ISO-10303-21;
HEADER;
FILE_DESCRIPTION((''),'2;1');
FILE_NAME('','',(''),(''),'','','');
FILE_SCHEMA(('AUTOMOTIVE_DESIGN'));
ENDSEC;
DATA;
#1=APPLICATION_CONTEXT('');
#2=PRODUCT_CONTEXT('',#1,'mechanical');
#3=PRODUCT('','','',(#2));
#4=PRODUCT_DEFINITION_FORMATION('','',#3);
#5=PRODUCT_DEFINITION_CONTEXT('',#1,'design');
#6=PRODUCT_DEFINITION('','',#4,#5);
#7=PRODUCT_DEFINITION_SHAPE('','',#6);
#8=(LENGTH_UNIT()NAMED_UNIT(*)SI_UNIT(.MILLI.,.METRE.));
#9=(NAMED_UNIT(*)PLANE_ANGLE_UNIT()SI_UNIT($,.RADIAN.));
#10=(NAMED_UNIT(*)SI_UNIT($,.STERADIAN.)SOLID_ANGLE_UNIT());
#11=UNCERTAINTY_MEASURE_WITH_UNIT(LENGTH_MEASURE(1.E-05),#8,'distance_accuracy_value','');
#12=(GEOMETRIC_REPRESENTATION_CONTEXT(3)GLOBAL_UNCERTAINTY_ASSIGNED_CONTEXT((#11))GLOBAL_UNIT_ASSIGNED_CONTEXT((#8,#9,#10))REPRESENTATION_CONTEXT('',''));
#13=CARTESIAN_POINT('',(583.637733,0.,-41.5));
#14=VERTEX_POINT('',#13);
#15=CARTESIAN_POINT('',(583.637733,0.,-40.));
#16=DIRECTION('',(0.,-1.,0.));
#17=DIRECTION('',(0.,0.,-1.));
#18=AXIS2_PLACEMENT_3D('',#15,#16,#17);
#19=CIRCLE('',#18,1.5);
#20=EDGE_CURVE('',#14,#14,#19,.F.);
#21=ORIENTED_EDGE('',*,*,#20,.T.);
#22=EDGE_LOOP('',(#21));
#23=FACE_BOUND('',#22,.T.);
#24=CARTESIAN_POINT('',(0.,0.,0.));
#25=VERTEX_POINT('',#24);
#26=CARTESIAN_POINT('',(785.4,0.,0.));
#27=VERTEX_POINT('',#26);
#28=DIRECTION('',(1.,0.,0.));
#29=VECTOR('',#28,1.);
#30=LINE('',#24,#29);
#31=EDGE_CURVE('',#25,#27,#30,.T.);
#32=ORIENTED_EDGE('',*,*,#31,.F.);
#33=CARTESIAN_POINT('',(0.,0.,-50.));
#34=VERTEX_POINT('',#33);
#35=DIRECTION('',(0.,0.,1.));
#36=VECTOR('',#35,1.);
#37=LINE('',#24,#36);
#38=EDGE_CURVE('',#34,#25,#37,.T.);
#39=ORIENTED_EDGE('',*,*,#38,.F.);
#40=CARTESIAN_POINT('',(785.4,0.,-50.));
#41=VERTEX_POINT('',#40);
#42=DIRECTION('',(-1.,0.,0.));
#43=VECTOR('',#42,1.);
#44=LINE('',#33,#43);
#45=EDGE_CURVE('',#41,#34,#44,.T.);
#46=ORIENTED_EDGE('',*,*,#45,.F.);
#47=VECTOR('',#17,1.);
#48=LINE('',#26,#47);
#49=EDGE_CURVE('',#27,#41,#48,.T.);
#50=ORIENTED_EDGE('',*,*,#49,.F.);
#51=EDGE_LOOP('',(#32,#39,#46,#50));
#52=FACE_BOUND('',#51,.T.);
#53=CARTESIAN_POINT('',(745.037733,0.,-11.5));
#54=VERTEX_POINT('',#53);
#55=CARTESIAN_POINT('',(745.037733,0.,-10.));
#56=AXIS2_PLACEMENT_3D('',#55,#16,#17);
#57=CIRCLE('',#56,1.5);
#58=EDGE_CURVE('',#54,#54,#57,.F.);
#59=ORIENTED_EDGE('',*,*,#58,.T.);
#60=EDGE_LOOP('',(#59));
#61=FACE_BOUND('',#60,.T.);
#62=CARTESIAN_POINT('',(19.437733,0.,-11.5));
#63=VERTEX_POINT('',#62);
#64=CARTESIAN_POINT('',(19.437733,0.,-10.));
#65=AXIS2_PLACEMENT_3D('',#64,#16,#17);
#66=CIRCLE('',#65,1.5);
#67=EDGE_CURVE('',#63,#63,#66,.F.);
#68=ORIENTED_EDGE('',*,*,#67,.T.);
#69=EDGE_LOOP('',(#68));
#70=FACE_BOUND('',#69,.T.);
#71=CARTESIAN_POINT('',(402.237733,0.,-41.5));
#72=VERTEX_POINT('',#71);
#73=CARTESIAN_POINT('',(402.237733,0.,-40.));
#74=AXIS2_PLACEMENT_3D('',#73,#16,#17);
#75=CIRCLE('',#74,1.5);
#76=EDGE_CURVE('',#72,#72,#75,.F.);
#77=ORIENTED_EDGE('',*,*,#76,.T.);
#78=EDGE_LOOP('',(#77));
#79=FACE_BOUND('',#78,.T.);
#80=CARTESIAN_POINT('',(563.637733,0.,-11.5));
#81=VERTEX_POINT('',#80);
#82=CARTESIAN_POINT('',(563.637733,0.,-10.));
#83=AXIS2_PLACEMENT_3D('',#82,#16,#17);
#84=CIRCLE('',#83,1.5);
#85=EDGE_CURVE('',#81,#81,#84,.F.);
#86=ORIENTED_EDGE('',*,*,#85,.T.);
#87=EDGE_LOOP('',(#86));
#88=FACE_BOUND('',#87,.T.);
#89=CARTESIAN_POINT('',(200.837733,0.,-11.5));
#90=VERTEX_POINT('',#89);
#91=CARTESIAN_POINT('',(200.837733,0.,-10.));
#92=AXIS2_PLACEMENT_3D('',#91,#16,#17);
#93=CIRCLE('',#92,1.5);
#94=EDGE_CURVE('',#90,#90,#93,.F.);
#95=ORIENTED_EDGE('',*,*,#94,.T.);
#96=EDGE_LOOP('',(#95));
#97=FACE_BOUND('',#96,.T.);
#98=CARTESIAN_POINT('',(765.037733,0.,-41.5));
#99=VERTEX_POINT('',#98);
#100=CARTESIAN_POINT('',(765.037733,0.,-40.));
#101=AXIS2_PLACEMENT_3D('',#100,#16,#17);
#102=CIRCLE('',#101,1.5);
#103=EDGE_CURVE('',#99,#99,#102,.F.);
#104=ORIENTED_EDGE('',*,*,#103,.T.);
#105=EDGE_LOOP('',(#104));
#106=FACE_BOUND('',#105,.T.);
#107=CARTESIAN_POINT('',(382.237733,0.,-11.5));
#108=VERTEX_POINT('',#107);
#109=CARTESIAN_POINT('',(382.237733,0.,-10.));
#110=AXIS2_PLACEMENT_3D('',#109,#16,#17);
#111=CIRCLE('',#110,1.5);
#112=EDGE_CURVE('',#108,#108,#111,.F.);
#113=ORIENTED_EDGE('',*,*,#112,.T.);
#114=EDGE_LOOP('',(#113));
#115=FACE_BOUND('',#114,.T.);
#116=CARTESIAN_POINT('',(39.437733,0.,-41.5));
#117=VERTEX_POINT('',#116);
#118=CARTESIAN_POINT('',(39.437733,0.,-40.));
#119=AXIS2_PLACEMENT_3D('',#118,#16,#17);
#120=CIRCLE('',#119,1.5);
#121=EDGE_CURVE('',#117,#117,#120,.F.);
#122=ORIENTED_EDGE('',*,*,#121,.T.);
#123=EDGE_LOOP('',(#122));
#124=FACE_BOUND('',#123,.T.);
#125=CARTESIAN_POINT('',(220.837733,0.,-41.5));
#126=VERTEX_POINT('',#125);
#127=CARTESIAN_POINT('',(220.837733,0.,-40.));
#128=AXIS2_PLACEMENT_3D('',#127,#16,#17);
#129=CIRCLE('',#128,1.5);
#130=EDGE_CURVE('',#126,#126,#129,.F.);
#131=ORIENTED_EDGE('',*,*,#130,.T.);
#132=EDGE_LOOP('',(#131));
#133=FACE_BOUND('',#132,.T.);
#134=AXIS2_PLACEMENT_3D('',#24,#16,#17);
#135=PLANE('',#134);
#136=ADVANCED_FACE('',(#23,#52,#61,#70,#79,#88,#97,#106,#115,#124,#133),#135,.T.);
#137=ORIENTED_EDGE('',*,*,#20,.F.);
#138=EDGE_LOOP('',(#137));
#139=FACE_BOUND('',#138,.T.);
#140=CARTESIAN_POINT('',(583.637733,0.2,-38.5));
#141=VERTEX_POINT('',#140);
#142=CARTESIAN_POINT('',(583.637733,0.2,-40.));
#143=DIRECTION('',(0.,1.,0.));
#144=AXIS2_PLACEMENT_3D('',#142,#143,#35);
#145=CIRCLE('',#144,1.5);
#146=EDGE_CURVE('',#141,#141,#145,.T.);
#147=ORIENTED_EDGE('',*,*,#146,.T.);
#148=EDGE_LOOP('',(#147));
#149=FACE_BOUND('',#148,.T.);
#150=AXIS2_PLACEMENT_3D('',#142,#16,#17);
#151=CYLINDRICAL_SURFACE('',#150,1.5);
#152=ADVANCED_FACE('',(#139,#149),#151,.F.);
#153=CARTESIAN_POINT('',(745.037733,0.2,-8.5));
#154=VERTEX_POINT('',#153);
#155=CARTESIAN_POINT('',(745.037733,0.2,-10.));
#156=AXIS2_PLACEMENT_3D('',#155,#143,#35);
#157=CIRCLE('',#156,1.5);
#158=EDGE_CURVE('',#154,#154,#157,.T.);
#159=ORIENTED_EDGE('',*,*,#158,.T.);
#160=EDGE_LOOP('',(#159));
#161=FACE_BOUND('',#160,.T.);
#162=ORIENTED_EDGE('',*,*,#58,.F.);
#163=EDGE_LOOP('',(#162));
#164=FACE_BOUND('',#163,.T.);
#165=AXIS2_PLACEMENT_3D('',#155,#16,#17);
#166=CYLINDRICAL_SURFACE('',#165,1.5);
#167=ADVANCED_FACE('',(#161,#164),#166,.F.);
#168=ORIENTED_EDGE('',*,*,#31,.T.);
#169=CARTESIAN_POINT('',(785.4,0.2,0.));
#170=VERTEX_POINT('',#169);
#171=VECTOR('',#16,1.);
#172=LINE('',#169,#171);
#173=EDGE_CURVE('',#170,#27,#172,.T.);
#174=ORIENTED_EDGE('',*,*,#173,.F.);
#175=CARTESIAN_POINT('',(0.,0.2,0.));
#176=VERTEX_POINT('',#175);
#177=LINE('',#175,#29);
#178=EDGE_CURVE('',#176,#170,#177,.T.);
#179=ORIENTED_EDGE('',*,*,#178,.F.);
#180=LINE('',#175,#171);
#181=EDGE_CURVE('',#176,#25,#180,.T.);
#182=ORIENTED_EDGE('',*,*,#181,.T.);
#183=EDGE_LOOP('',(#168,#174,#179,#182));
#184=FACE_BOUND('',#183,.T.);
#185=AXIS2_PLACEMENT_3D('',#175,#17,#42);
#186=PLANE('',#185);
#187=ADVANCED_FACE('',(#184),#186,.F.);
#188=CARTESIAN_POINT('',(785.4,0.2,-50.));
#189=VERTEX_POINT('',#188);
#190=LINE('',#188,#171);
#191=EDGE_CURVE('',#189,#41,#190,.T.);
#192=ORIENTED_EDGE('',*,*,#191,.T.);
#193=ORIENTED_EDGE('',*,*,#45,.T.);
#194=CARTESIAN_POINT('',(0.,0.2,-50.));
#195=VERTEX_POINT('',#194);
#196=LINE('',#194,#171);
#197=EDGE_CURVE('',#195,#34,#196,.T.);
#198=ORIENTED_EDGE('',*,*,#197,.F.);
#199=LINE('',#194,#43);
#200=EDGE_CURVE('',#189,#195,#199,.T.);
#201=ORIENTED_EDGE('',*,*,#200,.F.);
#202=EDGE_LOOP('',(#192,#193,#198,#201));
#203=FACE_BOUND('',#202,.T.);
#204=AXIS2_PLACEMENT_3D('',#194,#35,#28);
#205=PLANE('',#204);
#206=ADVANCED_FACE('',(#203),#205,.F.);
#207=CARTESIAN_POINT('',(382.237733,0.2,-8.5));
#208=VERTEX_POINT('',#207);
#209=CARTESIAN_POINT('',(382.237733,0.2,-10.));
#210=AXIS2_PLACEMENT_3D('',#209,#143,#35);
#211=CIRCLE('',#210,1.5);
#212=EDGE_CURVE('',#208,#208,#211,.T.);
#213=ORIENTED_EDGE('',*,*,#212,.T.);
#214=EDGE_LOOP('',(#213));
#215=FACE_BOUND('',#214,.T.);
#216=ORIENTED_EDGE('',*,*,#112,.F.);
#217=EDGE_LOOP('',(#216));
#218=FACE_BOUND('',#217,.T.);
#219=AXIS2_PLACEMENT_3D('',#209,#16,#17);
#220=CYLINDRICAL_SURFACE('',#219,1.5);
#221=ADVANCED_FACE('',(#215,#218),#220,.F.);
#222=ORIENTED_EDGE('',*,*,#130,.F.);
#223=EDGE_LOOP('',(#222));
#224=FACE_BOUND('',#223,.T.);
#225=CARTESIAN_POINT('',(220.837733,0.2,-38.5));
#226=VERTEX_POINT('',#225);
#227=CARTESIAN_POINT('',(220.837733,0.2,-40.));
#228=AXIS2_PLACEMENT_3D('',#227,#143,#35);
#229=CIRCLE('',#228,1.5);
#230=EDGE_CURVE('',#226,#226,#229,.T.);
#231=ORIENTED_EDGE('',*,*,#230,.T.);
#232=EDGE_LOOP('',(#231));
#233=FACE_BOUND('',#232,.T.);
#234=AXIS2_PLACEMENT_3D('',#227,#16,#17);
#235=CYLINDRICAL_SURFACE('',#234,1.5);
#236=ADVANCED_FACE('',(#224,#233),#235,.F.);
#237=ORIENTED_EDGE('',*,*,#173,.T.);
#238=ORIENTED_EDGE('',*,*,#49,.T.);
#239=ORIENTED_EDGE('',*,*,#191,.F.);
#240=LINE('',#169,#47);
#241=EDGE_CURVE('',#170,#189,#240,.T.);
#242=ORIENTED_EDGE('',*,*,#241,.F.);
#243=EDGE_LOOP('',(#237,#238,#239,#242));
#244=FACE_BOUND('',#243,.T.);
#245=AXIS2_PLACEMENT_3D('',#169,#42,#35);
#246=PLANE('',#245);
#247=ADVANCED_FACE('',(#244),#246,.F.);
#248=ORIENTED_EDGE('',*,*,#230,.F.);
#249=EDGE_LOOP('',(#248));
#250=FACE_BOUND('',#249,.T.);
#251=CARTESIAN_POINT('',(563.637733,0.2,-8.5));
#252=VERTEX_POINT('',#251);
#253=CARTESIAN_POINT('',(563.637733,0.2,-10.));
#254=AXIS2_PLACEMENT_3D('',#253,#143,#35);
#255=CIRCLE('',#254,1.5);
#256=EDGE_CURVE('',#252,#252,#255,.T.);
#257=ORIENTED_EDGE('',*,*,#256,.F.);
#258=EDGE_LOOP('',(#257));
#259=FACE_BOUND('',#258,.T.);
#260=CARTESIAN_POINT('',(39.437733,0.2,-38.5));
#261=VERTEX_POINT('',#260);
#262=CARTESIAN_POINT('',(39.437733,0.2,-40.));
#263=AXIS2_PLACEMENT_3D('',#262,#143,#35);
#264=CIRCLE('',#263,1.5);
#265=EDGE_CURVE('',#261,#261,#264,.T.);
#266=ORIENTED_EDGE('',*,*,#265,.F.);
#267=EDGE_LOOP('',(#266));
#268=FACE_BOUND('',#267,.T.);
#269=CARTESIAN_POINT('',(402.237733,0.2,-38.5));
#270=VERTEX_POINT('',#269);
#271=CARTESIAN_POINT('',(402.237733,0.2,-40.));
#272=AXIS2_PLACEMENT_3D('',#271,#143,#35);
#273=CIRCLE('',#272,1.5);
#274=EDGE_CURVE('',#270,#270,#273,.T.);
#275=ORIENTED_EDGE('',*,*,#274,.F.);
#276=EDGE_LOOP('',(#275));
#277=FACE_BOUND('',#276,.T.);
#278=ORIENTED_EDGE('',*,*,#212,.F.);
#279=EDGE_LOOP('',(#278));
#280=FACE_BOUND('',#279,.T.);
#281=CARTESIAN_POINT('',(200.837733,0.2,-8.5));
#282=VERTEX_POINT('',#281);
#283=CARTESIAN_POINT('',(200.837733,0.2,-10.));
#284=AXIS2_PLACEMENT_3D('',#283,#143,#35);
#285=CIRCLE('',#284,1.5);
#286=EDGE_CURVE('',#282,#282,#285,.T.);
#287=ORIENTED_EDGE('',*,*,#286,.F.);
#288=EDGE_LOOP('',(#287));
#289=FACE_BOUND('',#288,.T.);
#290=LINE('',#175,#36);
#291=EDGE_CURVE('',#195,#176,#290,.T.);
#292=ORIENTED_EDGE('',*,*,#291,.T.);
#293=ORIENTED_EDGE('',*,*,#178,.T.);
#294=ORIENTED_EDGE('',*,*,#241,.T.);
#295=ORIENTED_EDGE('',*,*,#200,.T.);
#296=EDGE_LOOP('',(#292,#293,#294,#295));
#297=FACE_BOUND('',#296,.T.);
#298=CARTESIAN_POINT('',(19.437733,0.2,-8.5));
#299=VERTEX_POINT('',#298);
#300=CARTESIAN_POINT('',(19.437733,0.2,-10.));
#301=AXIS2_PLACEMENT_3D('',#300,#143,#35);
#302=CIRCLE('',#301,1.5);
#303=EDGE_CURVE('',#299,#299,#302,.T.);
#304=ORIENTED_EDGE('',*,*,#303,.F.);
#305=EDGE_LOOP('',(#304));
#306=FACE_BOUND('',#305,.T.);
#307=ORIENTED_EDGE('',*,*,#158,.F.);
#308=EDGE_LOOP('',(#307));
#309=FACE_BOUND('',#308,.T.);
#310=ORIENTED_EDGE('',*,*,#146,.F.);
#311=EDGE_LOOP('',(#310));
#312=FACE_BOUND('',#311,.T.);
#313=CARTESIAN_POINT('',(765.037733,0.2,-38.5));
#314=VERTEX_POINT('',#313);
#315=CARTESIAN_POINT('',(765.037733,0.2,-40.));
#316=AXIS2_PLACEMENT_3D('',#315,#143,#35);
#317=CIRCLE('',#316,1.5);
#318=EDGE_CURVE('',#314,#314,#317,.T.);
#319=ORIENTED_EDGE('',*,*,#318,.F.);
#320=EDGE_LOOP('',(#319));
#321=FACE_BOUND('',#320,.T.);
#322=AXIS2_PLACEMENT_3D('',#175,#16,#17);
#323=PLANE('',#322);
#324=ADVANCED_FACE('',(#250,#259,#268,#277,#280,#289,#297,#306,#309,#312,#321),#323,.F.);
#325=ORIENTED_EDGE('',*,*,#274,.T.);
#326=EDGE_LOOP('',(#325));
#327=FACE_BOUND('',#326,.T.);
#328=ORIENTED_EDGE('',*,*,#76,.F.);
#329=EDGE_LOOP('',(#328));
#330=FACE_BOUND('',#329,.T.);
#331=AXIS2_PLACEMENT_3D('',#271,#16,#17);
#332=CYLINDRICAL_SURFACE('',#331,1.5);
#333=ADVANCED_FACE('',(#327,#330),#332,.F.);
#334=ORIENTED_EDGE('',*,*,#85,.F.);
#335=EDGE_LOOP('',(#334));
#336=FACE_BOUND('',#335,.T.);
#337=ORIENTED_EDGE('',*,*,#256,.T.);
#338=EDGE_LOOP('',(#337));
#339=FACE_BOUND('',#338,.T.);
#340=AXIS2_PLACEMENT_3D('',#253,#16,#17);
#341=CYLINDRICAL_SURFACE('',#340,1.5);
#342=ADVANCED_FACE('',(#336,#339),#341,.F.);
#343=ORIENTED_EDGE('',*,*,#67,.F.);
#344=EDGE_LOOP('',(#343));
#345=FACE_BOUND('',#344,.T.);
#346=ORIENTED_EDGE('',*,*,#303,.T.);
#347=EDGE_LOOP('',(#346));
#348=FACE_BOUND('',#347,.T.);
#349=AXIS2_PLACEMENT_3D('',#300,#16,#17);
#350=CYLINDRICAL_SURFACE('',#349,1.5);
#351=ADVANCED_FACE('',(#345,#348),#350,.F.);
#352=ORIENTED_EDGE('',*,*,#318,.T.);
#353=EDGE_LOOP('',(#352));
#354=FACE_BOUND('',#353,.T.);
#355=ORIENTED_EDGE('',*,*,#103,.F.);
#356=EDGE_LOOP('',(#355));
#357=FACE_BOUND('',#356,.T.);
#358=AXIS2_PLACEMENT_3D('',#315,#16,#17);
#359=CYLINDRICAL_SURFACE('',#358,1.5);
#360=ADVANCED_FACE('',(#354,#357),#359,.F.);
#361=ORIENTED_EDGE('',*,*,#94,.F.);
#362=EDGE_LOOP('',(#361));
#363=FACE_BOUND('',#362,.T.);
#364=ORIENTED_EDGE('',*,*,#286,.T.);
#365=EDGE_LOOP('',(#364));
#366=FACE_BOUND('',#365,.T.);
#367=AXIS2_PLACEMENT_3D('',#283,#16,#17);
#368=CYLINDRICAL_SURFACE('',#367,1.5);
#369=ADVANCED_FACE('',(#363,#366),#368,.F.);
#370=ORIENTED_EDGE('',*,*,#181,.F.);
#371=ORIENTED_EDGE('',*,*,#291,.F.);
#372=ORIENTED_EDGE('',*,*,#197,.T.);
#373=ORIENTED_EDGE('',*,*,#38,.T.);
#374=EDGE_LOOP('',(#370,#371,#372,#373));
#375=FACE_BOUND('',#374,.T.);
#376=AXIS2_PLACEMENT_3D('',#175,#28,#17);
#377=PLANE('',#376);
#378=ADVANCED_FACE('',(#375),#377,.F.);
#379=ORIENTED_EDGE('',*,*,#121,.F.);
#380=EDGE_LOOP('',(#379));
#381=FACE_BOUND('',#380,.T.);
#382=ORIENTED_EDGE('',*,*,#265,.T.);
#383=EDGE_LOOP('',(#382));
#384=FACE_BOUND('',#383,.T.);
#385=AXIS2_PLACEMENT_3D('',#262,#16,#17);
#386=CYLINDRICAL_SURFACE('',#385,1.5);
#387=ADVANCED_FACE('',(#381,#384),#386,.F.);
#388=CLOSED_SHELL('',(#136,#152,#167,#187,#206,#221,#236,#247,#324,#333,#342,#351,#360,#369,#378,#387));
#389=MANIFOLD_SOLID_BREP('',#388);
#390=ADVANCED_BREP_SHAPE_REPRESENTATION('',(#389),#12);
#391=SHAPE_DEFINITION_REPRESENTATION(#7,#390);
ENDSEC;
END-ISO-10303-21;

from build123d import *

# Parameters (mm, degrees)
SKETCH1_W               = 785.4
SKETCH1_H               = 50
BOSS_EXTRUDE1_DEPTH     = 0.2
CUT_EXTRUDE1_DEPTH      = 0.2
CUT_EXTRUDE1_DEPTH_BACK = 0.2
SKETCH2_R               = 1.5


with BuildPart() as part:
    # Sketch1 → Boss-Extrude1 (new body)
    with BuildSketch(Plane(origin=(0, 0, 0), x_dir=(1, 0, 0), z_dir=(0, 1, 0))):
        with Locations((392.7, 25)):
            Rectangle(SKETCH1_W, SKETCH1_H)
    extrude(amount=BOSS_EXTRUDE1_DEPTH)

    # Sketch2 → Cut-Extrude1 (cut, two sides: drawn at the far end of the back side and taken through both)
    with BuildSketch(Plane(origin=(0, 0, 0), x_dir=(1, 0, 0), z_dir=(0, 1, 0)).offset(-CUT_EXTRUDE1_DEPTH_BACK)):
        with Locations((19.437732804, 10)):
            Circle(SKETCH2_R)
        with Locations((39.437732804, 40)):
            Circle(SKETCH2_R)
        with Locations((200.837732804, 10)):
            Circle(SKETCH2_R)
        with Locations((220.837732804, 40)):
            Circle(SKETCH2_R)
        with Locations((382.237732804, 10)):
            Circle(SKETCH2_R)
        with Locations((402.237732804, 40)):
            Circle(SKETCH2_R)
        with Locations((563.637732804, 10)):
            Circle(SKETCH2_R)
        with Locations((583.637732804, 40)):
            Circle(SKETCH2_R)
        with Locations((745.037732804, 10)):
            Circle(SKETCH2_R)
        with Locations((765.037732804, 40)):
            Circle(SKETCH2_R)
    extrude(amount=CUT_EXTRUDE1_DEPTH + CUT_EXTRUDE1_DEPTH_BACK, mode=Mode.SUBTRACT)


solid = part.part
